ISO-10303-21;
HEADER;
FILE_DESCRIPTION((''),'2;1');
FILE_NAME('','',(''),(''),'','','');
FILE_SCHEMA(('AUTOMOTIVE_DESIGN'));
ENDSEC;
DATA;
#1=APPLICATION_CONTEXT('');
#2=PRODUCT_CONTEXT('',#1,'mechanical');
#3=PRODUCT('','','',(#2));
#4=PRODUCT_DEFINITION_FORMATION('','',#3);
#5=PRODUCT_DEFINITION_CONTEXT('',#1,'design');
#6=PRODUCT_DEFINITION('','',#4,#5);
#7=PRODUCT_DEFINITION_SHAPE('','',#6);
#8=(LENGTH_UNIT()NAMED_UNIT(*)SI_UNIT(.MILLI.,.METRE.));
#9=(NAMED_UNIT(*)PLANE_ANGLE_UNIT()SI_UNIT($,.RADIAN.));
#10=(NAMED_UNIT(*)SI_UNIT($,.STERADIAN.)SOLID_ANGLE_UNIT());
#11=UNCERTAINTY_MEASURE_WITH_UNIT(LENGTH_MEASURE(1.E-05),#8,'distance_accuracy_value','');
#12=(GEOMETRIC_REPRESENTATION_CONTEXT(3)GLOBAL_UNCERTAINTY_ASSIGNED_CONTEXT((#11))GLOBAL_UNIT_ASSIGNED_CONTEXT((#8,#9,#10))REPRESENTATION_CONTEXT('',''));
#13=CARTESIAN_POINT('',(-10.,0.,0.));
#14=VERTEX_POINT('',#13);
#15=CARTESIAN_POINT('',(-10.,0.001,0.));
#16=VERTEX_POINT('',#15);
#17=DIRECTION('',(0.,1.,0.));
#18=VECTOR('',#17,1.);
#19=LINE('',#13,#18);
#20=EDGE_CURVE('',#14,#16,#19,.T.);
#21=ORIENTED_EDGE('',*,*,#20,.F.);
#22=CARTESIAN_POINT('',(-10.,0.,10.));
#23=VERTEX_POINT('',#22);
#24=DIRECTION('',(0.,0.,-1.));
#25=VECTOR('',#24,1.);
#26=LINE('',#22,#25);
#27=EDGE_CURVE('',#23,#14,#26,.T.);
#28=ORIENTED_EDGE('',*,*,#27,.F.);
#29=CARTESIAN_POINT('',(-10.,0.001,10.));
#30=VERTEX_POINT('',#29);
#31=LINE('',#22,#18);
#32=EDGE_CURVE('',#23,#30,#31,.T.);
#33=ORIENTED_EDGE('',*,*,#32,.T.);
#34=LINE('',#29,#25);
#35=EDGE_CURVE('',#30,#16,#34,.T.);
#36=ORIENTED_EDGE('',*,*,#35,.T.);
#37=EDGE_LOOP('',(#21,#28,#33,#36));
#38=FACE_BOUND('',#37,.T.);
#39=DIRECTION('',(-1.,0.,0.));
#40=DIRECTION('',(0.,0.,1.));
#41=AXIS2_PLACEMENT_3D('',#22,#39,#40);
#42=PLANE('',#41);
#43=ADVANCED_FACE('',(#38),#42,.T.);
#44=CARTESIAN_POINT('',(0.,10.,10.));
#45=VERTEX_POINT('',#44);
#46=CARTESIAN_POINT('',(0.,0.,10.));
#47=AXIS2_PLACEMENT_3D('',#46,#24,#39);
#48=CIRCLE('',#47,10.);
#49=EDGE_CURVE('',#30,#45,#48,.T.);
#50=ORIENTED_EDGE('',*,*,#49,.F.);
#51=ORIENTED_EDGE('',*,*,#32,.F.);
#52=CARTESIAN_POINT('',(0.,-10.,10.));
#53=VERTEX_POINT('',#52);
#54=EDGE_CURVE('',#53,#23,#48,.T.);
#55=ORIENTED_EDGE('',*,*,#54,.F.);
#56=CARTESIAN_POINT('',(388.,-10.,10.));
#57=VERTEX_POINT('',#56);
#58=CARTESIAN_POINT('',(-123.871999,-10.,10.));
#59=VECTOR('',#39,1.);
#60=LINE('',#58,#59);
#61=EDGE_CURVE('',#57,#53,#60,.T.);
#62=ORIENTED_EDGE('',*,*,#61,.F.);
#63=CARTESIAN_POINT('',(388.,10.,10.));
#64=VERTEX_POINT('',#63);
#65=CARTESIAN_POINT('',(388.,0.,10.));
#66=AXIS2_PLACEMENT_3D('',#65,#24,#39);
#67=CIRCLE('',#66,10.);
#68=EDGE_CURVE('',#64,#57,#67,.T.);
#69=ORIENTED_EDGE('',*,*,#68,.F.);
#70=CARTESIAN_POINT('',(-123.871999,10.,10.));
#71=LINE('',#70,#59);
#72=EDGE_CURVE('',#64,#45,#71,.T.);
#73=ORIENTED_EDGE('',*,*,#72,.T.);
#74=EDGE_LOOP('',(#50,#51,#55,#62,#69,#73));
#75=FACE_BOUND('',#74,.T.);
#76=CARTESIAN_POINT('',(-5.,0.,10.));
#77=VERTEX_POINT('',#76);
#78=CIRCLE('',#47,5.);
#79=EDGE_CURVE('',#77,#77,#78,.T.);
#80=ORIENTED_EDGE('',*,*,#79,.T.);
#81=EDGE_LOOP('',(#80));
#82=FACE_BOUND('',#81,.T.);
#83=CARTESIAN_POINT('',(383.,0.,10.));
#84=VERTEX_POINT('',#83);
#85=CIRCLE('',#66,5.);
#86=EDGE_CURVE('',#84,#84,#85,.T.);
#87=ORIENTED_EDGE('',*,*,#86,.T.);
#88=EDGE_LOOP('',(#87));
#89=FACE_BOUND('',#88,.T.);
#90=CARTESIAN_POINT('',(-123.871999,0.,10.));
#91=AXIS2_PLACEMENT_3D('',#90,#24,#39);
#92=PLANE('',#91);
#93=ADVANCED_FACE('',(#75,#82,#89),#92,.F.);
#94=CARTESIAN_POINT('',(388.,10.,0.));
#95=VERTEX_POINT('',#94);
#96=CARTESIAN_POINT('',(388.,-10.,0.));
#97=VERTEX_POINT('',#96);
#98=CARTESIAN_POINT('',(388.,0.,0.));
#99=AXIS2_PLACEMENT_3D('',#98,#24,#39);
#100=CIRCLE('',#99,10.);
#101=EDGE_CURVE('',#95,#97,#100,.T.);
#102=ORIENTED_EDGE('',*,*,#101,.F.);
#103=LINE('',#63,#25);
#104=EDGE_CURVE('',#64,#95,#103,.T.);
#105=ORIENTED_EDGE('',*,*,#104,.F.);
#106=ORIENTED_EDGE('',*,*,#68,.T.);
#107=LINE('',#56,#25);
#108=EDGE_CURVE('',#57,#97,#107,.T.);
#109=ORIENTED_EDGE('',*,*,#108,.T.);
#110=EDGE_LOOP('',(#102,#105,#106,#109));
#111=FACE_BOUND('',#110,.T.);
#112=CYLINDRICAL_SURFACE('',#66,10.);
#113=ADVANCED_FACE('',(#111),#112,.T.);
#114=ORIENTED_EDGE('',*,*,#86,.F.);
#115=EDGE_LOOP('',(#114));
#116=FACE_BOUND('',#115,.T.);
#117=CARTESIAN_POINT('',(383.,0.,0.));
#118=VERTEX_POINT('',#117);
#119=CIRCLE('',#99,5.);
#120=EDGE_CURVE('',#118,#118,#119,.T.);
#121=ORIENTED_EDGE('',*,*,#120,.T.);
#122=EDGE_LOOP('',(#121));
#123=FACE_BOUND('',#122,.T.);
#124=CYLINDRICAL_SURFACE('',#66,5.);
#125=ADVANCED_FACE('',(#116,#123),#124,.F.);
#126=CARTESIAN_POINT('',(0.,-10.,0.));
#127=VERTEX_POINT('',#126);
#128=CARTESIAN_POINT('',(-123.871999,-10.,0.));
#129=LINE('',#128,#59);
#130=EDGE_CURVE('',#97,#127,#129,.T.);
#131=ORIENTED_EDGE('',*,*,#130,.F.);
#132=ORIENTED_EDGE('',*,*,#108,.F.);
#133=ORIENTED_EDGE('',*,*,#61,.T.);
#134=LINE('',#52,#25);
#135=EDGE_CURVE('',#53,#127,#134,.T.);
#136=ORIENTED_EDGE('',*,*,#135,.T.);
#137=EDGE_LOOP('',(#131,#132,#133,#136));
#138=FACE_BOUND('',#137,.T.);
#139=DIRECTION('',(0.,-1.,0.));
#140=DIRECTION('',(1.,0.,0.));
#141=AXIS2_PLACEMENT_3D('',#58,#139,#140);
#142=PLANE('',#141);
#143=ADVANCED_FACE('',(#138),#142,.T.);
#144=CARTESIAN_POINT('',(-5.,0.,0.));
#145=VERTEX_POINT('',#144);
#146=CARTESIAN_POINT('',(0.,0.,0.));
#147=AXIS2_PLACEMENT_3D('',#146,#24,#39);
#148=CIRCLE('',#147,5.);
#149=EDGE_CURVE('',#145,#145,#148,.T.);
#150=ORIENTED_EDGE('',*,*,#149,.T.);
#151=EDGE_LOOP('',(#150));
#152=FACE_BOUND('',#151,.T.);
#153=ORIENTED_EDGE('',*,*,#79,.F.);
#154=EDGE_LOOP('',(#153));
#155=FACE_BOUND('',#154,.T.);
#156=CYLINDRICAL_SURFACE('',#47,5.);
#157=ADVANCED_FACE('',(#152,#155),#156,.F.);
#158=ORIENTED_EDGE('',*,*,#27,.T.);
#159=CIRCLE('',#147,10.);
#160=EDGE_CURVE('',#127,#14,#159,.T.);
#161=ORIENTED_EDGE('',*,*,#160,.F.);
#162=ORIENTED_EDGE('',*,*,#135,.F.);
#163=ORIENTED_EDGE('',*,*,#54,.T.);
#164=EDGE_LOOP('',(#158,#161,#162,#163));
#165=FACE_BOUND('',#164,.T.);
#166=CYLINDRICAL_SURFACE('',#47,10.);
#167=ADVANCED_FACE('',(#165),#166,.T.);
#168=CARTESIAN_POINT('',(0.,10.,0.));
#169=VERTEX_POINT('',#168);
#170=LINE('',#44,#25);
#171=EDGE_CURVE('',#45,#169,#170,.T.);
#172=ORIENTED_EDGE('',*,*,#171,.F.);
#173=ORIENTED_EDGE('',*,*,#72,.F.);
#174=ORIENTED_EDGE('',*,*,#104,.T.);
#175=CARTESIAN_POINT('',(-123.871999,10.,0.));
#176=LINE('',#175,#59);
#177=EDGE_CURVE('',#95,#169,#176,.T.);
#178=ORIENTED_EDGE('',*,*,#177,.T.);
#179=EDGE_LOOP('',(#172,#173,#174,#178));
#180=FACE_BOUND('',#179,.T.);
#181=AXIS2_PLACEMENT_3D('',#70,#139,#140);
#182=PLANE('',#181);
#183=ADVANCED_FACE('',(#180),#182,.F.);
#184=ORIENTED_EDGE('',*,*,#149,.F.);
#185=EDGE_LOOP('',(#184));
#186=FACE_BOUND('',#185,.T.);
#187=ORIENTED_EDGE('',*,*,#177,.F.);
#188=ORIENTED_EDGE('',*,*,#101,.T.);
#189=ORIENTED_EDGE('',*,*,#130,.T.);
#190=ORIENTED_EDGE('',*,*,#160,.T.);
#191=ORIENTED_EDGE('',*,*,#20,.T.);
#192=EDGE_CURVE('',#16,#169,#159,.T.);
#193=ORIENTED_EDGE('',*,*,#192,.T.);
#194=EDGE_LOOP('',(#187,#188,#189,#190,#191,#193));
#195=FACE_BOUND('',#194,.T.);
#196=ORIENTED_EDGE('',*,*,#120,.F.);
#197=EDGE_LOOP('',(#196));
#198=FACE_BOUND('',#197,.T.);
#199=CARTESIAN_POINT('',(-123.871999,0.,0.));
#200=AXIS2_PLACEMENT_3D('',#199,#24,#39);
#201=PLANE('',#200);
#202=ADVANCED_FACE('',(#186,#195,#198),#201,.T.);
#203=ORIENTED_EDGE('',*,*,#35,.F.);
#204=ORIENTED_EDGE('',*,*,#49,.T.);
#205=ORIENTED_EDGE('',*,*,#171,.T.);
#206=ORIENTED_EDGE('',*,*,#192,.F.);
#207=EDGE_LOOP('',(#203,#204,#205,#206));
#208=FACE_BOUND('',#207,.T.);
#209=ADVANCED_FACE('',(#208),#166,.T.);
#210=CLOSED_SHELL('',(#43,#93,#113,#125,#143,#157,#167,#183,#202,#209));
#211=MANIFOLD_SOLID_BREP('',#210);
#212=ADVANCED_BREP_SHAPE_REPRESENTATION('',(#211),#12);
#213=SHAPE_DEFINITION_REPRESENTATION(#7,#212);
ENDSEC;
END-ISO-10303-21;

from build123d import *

# Parameters (mm, degrees)
ESQUISSE1_R      = 5
EXTRUSION3_DEPTH = 10


with BuildPart() as part:
    # Esquisse1 → Extrusion3 (new body)
    with BuildSketch(Plane.XY):
        with BuildLine():
            Line((0, 10), (388, 10))
            ThreePointArc((388, 10), (398, 0), (388, -10))
            Line((388, -10), (0, -10))
            ThreePointArc((0, -10), (-10, 0), (0, 10))
        make_face()
        with Locations(Location((0, 0, 0), (0, 0, 180))):  # turned: the seam where the file's is
            Circle(ESQUISSE1_R, mode=Mode.SUBTRACT)
        with Locations(Location((388, 0, 0), (0, 0, 180))):  # turned: the seam where the file's is
            Circle(ESQUISSE1_R, mode=Mode.SUBTRACT)
    extrude(amount=EXTRUSION3_DEPTH)


solid = part.part
